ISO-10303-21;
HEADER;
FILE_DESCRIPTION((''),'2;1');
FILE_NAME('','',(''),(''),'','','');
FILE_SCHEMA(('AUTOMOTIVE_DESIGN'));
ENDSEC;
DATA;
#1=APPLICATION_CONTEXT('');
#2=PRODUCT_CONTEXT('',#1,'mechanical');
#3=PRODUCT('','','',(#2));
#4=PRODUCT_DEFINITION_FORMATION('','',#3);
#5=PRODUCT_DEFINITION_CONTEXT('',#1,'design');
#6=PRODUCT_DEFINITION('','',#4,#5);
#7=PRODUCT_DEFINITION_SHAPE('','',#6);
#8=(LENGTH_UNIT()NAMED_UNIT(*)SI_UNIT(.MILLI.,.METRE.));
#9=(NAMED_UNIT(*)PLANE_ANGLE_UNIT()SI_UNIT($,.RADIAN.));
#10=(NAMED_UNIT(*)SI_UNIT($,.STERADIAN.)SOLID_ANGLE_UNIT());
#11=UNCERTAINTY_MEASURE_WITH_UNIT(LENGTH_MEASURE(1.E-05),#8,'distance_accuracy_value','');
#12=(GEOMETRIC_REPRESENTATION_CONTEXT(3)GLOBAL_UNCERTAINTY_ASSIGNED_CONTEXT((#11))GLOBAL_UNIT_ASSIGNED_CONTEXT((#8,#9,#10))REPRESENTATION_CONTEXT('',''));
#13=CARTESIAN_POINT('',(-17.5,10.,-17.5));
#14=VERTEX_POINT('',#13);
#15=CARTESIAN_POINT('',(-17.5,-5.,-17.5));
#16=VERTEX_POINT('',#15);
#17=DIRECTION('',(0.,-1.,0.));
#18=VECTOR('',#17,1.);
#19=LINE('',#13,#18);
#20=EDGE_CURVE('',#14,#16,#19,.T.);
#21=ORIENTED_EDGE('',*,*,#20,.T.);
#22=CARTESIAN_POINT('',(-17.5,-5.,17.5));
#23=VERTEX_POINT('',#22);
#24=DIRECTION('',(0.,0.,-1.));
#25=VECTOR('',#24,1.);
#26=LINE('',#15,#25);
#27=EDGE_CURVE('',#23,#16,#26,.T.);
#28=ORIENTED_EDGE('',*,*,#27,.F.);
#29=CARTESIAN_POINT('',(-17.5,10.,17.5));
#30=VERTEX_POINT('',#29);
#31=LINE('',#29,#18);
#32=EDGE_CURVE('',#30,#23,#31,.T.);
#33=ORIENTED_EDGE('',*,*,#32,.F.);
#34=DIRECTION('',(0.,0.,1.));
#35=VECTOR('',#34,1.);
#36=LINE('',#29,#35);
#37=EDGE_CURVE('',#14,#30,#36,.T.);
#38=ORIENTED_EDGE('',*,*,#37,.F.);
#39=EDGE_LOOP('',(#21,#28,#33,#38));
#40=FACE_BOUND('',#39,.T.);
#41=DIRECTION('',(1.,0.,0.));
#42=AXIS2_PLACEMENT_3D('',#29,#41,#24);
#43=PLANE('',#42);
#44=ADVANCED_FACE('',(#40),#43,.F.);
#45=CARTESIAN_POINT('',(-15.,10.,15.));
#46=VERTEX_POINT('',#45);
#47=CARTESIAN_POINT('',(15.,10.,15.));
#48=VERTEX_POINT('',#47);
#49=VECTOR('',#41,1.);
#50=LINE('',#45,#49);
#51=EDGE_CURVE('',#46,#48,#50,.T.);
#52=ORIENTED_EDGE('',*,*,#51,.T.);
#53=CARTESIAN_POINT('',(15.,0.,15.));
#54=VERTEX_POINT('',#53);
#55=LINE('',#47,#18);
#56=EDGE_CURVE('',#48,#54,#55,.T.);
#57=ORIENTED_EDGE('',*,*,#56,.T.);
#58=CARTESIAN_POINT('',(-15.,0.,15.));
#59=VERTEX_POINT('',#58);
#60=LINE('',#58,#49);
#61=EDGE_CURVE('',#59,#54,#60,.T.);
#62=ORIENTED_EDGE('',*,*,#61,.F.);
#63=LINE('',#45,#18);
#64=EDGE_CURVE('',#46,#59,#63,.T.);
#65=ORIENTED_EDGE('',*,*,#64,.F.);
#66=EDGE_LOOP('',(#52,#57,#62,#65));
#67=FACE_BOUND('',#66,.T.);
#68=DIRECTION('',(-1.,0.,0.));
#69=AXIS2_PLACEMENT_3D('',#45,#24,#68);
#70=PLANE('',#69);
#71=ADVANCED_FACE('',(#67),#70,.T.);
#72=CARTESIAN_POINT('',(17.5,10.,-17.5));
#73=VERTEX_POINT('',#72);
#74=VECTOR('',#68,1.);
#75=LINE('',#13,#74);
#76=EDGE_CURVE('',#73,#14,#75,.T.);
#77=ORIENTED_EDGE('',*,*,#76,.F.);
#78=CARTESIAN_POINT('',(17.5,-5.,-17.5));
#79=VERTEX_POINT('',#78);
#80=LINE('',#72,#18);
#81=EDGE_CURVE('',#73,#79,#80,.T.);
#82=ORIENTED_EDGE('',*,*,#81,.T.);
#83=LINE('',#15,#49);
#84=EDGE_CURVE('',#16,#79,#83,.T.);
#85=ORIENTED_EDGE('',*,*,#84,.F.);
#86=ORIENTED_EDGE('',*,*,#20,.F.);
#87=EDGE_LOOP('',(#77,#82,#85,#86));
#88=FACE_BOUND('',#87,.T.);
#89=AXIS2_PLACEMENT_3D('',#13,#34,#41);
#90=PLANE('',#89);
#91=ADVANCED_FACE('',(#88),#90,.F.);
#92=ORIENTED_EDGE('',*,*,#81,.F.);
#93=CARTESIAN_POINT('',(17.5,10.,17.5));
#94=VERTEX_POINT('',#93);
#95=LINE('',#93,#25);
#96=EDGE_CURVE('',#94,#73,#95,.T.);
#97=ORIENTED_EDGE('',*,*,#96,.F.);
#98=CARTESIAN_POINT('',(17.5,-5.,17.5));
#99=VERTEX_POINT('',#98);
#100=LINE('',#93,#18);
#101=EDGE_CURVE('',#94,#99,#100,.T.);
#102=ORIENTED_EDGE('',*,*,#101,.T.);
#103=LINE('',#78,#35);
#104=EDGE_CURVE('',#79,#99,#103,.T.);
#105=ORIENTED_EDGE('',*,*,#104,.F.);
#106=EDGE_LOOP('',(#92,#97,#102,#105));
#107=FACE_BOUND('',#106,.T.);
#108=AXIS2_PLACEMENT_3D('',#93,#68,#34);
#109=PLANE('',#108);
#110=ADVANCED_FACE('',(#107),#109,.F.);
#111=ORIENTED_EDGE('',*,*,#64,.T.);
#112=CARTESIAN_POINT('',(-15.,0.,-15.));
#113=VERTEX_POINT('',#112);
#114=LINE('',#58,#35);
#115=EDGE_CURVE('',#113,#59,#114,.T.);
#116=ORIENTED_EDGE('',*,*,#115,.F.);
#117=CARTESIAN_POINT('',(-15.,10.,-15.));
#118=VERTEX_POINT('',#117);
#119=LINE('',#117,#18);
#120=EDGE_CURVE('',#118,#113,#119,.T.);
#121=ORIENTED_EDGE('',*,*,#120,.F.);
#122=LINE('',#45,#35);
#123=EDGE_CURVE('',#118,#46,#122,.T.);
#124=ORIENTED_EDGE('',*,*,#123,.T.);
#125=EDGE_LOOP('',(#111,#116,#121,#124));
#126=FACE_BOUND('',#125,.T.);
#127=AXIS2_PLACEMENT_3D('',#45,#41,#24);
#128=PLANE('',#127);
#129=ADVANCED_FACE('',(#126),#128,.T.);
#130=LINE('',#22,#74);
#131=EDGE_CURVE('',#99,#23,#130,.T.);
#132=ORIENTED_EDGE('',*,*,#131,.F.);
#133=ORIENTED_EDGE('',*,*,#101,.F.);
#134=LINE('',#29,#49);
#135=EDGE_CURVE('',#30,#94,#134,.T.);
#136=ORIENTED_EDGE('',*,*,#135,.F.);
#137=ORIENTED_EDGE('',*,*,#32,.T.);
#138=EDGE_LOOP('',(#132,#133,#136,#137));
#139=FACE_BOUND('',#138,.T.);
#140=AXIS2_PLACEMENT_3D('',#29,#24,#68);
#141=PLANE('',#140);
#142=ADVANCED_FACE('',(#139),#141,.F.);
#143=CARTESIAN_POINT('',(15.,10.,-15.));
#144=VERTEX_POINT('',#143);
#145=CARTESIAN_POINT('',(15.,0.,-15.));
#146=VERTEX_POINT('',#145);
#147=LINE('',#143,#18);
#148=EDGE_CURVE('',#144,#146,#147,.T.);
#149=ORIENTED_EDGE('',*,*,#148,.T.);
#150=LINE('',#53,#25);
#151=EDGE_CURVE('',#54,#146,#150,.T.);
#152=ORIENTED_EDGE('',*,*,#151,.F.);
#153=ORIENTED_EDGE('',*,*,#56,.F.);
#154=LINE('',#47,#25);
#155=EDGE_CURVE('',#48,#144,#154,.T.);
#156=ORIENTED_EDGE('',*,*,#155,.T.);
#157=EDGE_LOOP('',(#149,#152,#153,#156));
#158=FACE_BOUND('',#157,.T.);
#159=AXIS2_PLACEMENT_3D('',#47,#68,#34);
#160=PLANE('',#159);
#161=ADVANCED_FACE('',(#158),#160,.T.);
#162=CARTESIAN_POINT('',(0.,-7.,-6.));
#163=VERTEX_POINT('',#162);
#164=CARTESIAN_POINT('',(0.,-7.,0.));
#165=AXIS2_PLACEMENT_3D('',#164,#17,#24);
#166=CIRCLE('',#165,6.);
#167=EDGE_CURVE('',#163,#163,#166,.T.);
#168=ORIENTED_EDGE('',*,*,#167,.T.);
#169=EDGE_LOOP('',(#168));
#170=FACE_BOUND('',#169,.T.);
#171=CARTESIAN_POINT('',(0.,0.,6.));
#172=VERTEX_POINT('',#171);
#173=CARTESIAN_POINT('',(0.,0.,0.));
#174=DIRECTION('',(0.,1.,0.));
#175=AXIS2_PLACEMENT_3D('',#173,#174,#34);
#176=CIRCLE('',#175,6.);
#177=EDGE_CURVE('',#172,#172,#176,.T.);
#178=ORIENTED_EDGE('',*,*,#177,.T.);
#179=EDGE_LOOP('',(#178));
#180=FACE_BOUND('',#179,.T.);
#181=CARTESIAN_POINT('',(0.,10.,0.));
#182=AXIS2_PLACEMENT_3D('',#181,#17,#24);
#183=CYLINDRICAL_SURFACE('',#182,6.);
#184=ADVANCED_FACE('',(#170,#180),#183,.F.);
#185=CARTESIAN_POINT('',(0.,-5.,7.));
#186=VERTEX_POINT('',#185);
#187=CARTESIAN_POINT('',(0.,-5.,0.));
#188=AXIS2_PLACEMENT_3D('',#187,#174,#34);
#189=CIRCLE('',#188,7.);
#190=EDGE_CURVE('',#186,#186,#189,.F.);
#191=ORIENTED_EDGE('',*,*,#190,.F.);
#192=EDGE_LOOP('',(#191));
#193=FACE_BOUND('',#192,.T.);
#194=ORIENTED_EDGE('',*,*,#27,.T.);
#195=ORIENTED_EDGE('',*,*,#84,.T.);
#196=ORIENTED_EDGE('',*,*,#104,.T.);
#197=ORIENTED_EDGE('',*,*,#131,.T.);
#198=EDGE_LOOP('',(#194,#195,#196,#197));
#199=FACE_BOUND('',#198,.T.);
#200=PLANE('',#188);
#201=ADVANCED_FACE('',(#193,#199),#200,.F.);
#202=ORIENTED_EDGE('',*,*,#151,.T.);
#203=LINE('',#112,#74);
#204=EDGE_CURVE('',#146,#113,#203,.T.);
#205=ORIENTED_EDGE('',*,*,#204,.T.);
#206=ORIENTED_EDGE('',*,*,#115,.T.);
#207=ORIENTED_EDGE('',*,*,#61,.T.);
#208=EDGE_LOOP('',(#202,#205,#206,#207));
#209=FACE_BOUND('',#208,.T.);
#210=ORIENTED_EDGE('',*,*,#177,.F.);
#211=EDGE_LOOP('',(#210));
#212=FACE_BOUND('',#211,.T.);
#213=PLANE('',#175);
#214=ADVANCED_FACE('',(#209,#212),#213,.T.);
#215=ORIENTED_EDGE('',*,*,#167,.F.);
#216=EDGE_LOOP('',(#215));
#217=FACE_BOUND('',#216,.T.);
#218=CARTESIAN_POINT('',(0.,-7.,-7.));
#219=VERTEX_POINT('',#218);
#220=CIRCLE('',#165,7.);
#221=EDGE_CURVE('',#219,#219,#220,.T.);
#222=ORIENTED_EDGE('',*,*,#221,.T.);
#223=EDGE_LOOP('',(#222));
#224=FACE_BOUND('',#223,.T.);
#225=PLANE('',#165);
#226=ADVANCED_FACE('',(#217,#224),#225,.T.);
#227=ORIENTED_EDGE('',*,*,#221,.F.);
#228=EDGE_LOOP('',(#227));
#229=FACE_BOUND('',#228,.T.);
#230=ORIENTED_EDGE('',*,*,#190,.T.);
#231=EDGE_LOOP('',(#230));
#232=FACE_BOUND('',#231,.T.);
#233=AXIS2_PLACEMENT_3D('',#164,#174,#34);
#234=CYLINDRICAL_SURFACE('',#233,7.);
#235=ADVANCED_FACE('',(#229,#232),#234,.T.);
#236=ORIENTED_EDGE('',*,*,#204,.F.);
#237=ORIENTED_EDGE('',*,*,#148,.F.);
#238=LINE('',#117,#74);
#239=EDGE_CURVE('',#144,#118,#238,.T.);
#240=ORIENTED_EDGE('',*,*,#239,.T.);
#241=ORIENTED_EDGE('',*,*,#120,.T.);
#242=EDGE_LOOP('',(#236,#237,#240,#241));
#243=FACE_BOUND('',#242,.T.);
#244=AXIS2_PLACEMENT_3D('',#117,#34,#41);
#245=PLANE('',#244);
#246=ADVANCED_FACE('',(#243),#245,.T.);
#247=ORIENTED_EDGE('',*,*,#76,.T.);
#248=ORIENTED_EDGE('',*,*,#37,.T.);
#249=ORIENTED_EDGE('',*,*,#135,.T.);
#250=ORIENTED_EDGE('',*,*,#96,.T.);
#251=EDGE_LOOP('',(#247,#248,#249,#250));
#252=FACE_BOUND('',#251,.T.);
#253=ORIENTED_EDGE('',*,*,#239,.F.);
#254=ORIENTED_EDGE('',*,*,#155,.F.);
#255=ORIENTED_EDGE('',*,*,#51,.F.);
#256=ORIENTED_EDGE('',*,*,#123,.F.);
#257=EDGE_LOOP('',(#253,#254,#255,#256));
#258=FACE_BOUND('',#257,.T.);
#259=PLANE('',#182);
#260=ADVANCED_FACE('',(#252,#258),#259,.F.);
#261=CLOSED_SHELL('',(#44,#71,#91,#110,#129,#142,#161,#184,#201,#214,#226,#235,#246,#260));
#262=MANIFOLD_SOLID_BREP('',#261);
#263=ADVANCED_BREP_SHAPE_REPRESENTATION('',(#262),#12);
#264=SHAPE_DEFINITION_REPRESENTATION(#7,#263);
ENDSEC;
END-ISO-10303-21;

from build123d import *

# Parameters (mm, degrees)
SKETCH1_W           = 35
SKETCH1_H           = 35
SKETCH1_W_2         = 30
SKETCH1_H_2         = 30
BOSS_EXTRUDE1_DEPTH = 10
SKETCH4_W           = 35
SKETCH4_H           = 35
BOSS_EXTRUDE2_DEPTH = 5
SKETCH5_R           = 6
CUT_EXTRUDE1_DEPTH  = 29.939592257
SKETCH6_R           = 7
SKETCH6_R_2         = 6
BOSS_EXTRUDE3_DEPTH = 2


with BuildPart() as part:
    # Sketch1 → Boss-Extrude1 (new body)
    with BuildSketch(Plane(origin=(0, 0, 0), x_dir=(1, 0, 0), z_dir=(0, 1, 0))):
        Rectangle(SKETCH1_W, SKETCH1_H)
        Rectangle(SKETCH1_W_2, SKETCH1_H_2, mode=Mode.SUBTRACT)
    extrude(amount=BOSS_EXTRUDE1_DEPTH)

    # Sketch4 → Boss-Extrude2 (add)
    with BuildSketch(Plane.XZ):
        Rectangle(SKETCH4_W, SKETCH4_H)
    extrude(amount=BOSS_EXTRUDE2_DEPTH)

    # Sketch5 → Cut-Extrude1 (cut, through all)
    with BuildSketch(Plane.XZ.offset(5)):
        with Locations(Location((0, 0, 0), (0, 0, 270))):
            Circle(SKETCH5_R)
    extrude(amount=-CUT_EXTRUDE1_DEPTH, mode=Mode.SUBTRACT)

    # Sketch6 → Boss-Extrude3 (add)
    with BuildSketch(Plane(origin=(0, -5, 0), x_dir=(-1, 0, 0), z_dir=(0, -1, 0))):
        with Locations(Location((0, 0, 0), (0, 0, 270))):
            Circle(SKETCH6_R)
        with Locations(Location((0, 0, 0), (0, 0, 90))):
            Circle(SKETCH6_R_2, mode=Mode.SUBTRACT)
    extrude(amount=BOSS_EXTRUDE3_DEPTH)


solid = part.part
